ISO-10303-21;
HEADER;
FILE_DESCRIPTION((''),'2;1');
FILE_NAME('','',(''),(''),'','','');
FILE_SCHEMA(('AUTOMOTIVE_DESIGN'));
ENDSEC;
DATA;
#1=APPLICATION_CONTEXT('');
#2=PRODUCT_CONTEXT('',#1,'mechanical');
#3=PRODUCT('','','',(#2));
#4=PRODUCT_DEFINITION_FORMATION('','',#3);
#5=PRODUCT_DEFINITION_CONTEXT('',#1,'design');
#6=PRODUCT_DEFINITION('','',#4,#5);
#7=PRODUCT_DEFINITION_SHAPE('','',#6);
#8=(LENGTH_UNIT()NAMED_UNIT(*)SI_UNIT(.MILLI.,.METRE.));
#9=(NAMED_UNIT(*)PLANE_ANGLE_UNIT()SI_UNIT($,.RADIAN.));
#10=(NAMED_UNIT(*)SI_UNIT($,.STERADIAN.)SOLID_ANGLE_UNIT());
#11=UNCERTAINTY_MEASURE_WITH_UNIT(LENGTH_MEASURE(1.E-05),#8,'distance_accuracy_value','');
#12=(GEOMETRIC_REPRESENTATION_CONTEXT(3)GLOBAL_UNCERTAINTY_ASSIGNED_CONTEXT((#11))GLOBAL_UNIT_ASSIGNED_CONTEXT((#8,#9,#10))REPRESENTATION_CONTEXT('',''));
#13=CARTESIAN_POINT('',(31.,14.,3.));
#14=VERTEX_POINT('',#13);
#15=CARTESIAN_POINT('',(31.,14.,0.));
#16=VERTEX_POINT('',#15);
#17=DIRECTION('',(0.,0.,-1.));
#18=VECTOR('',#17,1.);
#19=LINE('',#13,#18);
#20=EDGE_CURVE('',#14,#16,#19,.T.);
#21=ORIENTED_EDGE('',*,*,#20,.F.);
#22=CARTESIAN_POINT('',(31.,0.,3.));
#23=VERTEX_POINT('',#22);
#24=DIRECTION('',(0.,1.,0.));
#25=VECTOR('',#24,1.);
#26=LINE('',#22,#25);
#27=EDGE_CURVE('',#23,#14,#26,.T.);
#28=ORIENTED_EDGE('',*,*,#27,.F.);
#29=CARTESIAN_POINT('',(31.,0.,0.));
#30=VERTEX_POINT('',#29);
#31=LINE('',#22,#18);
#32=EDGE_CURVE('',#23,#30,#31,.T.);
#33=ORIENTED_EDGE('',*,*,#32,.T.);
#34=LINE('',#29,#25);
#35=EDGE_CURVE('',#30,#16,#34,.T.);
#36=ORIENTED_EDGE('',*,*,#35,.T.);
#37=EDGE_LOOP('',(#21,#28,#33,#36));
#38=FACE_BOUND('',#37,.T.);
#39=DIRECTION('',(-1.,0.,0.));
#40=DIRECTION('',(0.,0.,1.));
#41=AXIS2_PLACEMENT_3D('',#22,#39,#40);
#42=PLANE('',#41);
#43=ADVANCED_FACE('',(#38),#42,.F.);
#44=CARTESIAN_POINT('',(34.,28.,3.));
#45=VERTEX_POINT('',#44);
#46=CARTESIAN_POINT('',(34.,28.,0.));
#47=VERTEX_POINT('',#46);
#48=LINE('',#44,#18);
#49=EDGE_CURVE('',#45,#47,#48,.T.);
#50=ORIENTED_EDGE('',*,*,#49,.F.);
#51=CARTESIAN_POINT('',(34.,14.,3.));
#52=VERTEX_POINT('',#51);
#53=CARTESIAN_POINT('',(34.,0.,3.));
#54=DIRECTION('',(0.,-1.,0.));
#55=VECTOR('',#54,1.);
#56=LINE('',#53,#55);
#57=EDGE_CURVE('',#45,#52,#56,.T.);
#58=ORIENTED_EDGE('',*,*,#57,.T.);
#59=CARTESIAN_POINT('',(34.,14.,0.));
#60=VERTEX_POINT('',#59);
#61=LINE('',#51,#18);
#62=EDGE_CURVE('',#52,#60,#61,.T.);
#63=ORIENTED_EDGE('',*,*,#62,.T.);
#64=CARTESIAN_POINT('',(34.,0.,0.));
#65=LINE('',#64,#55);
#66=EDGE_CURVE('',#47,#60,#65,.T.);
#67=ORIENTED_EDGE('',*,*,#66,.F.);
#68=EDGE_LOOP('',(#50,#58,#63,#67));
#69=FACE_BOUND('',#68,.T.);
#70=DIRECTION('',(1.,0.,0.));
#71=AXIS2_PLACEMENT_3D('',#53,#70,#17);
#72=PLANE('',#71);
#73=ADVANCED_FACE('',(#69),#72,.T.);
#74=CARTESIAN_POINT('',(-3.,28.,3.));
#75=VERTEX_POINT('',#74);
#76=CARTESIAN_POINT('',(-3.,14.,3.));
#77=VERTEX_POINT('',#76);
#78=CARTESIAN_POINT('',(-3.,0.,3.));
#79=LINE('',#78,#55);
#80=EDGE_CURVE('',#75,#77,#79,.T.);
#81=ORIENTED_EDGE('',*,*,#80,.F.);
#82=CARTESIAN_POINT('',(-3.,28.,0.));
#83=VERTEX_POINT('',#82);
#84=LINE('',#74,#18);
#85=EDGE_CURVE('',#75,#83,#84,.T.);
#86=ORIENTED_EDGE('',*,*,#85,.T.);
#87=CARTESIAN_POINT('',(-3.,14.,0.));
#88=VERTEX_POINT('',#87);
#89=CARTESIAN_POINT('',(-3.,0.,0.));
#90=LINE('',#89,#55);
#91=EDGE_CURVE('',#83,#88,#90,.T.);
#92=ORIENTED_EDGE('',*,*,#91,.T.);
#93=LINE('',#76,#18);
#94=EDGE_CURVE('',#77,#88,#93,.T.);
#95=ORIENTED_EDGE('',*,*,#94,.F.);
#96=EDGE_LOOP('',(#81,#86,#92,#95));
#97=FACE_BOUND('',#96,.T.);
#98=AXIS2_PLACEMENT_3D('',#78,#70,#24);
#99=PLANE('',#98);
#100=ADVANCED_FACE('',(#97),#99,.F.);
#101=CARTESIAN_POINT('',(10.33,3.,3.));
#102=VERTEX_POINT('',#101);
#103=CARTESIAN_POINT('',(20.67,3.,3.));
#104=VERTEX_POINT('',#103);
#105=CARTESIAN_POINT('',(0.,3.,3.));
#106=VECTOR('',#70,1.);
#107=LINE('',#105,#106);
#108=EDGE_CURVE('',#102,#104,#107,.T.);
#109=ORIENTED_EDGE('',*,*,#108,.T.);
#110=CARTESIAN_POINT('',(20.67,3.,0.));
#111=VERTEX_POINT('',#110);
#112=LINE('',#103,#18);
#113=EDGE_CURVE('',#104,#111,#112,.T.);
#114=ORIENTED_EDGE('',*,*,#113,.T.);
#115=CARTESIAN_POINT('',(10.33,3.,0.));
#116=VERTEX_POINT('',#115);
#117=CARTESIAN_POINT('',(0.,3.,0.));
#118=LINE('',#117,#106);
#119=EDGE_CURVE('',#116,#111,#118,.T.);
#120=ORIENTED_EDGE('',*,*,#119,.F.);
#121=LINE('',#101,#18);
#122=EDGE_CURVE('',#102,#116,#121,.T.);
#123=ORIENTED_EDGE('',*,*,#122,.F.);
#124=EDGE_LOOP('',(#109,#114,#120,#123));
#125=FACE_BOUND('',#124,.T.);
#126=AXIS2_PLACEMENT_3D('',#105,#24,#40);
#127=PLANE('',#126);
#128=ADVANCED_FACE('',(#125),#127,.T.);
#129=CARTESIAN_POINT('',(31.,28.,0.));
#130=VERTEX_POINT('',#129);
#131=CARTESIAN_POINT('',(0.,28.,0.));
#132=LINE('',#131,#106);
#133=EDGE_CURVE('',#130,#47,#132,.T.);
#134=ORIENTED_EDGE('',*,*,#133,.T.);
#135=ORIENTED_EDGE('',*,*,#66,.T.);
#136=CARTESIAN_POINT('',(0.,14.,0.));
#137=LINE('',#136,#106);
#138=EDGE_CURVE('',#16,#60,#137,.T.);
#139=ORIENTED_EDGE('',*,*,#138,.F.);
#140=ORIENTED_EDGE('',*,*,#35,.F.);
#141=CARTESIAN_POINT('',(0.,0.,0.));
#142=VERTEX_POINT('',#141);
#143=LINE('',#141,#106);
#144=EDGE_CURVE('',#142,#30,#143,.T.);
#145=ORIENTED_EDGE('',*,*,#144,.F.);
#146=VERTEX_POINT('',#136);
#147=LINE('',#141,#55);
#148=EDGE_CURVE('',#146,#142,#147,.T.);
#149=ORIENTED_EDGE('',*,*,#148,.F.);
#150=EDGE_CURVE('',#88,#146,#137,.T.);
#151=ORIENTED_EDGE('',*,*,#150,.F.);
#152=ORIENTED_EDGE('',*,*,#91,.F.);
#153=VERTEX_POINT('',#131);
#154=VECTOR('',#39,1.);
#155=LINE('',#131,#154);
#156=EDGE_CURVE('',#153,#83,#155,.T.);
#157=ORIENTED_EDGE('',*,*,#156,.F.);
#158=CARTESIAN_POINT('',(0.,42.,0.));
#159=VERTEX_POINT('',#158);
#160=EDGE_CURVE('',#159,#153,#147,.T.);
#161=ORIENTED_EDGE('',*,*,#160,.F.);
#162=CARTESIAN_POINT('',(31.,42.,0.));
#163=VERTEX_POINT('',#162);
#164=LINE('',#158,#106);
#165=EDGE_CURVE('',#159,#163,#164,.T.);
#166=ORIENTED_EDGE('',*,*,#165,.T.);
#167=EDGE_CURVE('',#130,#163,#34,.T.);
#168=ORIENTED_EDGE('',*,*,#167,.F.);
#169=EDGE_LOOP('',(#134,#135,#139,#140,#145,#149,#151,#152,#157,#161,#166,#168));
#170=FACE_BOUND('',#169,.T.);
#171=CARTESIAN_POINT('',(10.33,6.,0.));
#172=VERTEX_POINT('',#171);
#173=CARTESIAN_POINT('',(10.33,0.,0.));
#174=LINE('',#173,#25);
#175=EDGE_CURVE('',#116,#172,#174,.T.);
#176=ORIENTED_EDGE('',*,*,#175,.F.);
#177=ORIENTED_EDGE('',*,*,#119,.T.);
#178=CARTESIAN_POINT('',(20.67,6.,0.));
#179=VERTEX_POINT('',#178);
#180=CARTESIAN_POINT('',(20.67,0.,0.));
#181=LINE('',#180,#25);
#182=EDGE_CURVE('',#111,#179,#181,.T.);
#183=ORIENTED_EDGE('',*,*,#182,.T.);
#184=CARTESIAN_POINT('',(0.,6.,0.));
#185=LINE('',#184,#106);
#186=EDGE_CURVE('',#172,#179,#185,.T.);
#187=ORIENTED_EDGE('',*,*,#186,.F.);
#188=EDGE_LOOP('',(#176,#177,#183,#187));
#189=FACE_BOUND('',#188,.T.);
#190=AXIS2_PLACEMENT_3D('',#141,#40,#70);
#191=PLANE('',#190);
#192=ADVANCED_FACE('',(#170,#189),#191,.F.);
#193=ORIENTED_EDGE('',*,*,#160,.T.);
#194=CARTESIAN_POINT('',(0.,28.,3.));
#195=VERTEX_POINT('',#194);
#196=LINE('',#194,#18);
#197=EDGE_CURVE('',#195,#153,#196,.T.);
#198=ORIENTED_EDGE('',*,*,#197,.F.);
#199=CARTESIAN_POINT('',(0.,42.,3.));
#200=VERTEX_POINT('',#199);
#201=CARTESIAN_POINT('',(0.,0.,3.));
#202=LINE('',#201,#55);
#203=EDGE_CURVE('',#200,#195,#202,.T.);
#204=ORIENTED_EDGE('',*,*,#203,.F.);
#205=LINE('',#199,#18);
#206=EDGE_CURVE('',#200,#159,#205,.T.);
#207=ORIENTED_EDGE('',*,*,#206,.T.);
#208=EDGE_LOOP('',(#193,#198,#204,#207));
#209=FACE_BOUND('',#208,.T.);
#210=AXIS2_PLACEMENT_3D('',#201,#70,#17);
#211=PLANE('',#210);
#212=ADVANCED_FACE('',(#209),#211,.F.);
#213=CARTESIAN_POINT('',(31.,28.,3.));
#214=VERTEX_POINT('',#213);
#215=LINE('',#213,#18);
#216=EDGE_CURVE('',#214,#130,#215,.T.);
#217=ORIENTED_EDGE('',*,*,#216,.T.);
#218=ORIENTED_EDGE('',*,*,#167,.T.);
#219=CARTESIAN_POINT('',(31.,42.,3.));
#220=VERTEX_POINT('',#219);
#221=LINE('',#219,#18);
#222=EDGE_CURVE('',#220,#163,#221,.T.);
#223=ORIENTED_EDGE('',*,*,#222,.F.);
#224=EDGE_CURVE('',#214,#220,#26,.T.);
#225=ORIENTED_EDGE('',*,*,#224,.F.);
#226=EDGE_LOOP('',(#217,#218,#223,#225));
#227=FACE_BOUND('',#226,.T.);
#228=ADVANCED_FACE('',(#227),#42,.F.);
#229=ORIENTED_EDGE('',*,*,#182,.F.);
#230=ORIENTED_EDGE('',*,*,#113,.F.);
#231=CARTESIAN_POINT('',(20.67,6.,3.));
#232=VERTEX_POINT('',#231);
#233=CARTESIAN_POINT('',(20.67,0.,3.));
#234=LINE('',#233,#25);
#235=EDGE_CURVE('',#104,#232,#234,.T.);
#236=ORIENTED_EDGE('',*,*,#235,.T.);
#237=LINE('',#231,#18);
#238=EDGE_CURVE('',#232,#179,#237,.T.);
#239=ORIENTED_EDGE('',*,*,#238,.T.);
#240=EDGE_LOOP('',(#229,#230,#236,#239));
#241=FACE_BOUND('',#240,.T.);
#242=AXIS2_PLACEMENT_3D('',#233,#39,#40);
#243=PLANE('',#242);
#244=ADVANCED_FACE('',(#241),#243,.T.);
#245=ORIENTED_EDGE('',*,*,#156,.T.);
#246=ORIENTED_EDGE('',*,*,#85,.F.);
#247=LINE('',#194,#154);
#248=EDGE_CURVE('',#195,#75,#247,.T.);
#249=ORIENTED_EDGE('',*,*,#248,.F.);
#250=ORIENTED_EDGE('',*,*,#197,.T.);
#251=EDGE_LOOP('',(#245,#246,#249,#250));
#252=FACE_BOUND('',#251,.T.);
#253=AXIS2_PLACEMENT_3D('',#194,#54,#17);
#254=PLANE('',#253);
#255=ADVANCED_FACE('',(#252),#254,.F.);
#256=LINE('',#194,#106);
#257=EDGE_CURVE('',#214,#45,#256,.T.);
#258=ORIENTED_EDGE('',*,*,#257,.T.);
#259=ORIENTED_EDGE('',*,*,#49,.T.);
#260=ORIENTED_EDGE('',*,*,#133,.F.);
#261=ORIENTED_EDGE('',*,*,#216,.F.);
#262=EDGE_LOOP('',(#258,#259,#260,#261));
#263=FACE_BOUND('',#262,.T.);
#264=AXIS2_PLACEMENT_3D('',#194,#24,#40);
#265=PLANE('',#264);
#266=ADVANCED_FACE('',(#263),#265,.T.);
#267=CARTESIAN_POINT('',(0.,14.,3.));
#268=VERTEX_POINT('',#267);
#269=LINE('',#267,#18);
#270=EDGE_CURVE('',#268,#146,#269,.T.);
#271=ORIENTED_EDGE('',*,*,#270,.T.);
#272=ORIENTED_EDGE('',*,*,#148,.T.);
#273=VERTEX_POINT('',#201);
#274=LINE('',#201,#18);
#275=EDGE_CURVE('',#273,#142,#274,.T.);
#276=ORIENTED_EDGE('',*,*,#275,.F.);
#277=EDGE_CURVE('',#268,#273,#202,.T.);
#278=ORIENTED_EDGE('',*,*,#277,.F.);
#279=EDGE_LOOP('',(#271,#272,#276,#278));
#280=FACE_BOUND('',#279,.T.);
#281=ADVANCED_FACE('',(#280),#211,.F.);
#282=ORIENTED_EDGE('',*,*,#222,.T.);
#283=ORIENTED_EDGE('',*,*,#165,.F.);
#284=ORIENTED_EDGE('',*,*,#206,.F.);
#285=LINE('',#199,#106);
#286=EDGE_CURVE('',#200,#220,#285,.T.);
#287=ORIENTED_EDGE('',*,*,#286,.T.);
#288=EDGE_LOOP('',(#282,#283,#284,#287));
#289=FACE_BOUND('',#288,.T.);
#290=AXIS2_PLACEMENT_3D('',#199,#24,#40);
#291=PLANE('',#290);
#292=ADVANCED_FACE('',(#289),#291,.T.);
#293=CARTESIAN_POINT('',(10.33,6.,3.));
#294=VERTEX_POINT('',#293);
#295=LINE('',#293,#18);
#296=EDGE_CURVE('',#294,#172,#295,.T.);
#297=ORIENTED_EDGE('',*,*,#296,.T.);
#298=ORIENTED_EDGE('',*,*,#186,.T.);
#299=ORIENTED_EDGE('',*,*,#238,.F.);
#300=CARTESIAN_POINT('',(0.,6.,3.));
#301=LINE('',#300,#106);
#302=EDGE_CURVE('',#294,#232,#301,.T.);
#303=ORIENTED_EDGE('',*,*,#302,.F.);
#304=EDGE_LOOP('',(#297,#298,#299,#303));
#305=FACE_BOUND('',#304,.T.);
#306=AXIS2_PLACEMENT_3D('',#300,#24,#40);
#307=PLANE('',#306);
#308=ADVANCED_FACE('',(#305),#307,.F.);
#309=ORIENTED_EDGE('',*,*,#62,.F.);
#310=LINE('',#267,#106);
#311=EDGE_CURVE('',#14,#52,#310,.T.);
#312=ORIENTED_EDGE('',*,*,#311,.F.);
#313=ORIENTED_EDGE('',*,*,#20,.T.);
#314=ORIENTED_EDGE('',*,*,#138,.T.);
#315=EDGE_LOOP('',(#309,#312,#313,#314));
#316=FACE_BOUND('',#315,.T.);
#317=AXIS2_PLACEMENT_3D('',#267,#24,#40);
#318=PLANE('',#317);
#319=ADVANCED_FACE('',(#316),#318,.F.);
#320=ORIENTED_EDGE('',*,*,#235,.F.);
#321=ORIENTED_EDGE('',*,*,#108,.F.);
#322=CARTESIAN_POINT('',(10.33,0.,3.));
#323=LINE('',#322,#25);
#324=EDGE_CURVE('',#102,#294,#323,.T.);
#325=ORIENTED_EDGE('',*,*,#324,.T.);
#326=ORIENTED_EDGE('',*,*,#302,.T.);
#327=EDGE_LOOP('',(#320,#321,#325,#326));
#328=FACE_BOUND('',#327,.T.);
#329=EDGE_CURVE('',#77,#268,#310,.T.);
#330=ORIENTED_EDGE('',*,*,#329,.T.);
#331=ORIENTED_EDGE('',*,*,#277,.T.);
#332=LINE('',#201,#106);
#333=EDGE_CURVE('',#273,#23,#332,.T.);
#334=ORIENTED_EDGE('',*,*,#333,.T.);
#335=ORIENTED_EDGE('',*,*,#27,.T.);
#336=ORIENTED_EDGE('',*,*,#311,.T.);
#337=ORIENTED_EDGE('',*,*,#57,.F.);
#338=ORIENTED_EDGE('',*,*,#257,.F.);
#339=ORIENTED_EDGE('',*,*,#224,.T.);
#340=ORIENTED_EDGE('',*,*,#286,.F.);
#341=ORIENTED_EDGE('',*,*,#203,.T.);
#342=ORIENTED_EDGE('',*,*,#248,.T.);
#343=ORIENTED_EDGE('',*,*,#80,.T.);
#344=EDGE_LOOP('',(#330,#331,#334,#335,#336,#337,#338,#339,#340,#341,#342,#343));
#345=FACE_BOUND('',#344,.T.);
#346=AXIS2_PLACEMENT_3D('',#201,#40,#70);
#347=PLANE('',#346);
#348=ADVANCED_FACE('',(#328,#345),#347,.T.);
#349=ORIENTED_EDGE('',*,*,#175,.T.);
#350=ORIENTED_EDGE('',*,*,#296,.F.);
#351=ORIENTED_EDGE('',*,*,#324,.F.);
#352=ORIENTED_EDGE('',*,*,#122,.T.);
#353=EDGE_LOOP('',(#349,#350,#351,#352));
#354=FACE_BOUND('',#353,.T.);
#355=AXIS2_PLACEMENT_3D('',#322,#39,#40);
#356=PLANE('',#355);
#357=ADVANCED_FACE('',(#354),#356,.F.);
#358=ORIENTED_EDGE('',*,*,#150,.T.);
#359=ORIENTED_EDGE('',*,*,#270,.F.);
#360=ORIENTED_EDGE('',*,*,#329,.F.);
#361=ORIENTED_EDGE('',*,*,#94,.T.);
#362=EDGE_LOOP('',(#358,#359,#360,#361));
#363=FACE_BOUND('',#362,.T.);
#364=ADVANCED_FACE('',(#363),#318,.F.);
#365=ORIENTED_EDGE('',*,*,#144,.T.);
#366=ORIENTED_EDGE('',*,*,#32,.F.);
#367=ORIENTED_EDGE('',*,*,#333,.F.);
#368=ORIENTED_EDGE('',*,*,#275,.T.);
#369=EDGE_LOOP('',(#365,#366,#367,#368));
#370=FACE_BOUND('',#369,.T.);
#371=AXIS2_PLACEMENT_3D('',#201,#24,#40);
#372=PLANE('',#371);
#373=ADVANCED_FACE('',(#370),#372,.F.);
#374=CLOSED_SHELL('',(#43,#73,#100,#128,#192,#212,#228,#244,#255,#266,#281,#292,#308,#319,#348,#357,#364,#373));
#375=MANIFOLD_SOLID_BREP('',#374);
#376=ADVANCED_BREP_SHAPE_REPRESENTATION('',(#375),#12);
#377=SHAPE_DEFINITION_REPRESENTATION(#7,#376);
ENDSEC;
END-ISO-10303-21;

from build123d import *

# Parameters (mm, degrees)
ESQUISSE1_W        = 31
ESQUISSE1_H        = 42
ESQUISSE1_W_2      = 10.34
ESQUISSE1_H_2      = 3
ESQUISSE1_W_3      = 3
ESQUISSE1_H_3      = 14
BOSS_EXTRU_1_DEPTH = 3


with BuildPart() as part:
    # Esquisse1 → Boss.-Extru.1 (new body)
    # profile 1 of 3: a face of its own
    with BuildSketch(Plane.XY):
        with Locations((15.5, 21)):
            Rectangle(ESQUISSE1_W, ESQUISSE1_H)
        with Locations((15.5, 4.5)):
            Rectangle(ESQUISSE1_W_2, ESQUISSE1_H_2, mode=Mode.SUBTRACT)
    # profile 2 of 3: a face of its own
    with BuildSketch(Plane.XY):
        with Locations((-1.5, 21)):
            Rectangle(ESQUISSE1_W_3, ESQUISSE1_H_3)
    # profile 3 of 3: a face of its own
    with BuildSketch(Plane.XY):
        with Locations((32.5, 21)):
            Rectangle(ESQUISSE1_W_3, ESQUISSE1_H_3)
    extrude(amount=BOSS_EXTRU_1_DEPTH)


solid = part.part
